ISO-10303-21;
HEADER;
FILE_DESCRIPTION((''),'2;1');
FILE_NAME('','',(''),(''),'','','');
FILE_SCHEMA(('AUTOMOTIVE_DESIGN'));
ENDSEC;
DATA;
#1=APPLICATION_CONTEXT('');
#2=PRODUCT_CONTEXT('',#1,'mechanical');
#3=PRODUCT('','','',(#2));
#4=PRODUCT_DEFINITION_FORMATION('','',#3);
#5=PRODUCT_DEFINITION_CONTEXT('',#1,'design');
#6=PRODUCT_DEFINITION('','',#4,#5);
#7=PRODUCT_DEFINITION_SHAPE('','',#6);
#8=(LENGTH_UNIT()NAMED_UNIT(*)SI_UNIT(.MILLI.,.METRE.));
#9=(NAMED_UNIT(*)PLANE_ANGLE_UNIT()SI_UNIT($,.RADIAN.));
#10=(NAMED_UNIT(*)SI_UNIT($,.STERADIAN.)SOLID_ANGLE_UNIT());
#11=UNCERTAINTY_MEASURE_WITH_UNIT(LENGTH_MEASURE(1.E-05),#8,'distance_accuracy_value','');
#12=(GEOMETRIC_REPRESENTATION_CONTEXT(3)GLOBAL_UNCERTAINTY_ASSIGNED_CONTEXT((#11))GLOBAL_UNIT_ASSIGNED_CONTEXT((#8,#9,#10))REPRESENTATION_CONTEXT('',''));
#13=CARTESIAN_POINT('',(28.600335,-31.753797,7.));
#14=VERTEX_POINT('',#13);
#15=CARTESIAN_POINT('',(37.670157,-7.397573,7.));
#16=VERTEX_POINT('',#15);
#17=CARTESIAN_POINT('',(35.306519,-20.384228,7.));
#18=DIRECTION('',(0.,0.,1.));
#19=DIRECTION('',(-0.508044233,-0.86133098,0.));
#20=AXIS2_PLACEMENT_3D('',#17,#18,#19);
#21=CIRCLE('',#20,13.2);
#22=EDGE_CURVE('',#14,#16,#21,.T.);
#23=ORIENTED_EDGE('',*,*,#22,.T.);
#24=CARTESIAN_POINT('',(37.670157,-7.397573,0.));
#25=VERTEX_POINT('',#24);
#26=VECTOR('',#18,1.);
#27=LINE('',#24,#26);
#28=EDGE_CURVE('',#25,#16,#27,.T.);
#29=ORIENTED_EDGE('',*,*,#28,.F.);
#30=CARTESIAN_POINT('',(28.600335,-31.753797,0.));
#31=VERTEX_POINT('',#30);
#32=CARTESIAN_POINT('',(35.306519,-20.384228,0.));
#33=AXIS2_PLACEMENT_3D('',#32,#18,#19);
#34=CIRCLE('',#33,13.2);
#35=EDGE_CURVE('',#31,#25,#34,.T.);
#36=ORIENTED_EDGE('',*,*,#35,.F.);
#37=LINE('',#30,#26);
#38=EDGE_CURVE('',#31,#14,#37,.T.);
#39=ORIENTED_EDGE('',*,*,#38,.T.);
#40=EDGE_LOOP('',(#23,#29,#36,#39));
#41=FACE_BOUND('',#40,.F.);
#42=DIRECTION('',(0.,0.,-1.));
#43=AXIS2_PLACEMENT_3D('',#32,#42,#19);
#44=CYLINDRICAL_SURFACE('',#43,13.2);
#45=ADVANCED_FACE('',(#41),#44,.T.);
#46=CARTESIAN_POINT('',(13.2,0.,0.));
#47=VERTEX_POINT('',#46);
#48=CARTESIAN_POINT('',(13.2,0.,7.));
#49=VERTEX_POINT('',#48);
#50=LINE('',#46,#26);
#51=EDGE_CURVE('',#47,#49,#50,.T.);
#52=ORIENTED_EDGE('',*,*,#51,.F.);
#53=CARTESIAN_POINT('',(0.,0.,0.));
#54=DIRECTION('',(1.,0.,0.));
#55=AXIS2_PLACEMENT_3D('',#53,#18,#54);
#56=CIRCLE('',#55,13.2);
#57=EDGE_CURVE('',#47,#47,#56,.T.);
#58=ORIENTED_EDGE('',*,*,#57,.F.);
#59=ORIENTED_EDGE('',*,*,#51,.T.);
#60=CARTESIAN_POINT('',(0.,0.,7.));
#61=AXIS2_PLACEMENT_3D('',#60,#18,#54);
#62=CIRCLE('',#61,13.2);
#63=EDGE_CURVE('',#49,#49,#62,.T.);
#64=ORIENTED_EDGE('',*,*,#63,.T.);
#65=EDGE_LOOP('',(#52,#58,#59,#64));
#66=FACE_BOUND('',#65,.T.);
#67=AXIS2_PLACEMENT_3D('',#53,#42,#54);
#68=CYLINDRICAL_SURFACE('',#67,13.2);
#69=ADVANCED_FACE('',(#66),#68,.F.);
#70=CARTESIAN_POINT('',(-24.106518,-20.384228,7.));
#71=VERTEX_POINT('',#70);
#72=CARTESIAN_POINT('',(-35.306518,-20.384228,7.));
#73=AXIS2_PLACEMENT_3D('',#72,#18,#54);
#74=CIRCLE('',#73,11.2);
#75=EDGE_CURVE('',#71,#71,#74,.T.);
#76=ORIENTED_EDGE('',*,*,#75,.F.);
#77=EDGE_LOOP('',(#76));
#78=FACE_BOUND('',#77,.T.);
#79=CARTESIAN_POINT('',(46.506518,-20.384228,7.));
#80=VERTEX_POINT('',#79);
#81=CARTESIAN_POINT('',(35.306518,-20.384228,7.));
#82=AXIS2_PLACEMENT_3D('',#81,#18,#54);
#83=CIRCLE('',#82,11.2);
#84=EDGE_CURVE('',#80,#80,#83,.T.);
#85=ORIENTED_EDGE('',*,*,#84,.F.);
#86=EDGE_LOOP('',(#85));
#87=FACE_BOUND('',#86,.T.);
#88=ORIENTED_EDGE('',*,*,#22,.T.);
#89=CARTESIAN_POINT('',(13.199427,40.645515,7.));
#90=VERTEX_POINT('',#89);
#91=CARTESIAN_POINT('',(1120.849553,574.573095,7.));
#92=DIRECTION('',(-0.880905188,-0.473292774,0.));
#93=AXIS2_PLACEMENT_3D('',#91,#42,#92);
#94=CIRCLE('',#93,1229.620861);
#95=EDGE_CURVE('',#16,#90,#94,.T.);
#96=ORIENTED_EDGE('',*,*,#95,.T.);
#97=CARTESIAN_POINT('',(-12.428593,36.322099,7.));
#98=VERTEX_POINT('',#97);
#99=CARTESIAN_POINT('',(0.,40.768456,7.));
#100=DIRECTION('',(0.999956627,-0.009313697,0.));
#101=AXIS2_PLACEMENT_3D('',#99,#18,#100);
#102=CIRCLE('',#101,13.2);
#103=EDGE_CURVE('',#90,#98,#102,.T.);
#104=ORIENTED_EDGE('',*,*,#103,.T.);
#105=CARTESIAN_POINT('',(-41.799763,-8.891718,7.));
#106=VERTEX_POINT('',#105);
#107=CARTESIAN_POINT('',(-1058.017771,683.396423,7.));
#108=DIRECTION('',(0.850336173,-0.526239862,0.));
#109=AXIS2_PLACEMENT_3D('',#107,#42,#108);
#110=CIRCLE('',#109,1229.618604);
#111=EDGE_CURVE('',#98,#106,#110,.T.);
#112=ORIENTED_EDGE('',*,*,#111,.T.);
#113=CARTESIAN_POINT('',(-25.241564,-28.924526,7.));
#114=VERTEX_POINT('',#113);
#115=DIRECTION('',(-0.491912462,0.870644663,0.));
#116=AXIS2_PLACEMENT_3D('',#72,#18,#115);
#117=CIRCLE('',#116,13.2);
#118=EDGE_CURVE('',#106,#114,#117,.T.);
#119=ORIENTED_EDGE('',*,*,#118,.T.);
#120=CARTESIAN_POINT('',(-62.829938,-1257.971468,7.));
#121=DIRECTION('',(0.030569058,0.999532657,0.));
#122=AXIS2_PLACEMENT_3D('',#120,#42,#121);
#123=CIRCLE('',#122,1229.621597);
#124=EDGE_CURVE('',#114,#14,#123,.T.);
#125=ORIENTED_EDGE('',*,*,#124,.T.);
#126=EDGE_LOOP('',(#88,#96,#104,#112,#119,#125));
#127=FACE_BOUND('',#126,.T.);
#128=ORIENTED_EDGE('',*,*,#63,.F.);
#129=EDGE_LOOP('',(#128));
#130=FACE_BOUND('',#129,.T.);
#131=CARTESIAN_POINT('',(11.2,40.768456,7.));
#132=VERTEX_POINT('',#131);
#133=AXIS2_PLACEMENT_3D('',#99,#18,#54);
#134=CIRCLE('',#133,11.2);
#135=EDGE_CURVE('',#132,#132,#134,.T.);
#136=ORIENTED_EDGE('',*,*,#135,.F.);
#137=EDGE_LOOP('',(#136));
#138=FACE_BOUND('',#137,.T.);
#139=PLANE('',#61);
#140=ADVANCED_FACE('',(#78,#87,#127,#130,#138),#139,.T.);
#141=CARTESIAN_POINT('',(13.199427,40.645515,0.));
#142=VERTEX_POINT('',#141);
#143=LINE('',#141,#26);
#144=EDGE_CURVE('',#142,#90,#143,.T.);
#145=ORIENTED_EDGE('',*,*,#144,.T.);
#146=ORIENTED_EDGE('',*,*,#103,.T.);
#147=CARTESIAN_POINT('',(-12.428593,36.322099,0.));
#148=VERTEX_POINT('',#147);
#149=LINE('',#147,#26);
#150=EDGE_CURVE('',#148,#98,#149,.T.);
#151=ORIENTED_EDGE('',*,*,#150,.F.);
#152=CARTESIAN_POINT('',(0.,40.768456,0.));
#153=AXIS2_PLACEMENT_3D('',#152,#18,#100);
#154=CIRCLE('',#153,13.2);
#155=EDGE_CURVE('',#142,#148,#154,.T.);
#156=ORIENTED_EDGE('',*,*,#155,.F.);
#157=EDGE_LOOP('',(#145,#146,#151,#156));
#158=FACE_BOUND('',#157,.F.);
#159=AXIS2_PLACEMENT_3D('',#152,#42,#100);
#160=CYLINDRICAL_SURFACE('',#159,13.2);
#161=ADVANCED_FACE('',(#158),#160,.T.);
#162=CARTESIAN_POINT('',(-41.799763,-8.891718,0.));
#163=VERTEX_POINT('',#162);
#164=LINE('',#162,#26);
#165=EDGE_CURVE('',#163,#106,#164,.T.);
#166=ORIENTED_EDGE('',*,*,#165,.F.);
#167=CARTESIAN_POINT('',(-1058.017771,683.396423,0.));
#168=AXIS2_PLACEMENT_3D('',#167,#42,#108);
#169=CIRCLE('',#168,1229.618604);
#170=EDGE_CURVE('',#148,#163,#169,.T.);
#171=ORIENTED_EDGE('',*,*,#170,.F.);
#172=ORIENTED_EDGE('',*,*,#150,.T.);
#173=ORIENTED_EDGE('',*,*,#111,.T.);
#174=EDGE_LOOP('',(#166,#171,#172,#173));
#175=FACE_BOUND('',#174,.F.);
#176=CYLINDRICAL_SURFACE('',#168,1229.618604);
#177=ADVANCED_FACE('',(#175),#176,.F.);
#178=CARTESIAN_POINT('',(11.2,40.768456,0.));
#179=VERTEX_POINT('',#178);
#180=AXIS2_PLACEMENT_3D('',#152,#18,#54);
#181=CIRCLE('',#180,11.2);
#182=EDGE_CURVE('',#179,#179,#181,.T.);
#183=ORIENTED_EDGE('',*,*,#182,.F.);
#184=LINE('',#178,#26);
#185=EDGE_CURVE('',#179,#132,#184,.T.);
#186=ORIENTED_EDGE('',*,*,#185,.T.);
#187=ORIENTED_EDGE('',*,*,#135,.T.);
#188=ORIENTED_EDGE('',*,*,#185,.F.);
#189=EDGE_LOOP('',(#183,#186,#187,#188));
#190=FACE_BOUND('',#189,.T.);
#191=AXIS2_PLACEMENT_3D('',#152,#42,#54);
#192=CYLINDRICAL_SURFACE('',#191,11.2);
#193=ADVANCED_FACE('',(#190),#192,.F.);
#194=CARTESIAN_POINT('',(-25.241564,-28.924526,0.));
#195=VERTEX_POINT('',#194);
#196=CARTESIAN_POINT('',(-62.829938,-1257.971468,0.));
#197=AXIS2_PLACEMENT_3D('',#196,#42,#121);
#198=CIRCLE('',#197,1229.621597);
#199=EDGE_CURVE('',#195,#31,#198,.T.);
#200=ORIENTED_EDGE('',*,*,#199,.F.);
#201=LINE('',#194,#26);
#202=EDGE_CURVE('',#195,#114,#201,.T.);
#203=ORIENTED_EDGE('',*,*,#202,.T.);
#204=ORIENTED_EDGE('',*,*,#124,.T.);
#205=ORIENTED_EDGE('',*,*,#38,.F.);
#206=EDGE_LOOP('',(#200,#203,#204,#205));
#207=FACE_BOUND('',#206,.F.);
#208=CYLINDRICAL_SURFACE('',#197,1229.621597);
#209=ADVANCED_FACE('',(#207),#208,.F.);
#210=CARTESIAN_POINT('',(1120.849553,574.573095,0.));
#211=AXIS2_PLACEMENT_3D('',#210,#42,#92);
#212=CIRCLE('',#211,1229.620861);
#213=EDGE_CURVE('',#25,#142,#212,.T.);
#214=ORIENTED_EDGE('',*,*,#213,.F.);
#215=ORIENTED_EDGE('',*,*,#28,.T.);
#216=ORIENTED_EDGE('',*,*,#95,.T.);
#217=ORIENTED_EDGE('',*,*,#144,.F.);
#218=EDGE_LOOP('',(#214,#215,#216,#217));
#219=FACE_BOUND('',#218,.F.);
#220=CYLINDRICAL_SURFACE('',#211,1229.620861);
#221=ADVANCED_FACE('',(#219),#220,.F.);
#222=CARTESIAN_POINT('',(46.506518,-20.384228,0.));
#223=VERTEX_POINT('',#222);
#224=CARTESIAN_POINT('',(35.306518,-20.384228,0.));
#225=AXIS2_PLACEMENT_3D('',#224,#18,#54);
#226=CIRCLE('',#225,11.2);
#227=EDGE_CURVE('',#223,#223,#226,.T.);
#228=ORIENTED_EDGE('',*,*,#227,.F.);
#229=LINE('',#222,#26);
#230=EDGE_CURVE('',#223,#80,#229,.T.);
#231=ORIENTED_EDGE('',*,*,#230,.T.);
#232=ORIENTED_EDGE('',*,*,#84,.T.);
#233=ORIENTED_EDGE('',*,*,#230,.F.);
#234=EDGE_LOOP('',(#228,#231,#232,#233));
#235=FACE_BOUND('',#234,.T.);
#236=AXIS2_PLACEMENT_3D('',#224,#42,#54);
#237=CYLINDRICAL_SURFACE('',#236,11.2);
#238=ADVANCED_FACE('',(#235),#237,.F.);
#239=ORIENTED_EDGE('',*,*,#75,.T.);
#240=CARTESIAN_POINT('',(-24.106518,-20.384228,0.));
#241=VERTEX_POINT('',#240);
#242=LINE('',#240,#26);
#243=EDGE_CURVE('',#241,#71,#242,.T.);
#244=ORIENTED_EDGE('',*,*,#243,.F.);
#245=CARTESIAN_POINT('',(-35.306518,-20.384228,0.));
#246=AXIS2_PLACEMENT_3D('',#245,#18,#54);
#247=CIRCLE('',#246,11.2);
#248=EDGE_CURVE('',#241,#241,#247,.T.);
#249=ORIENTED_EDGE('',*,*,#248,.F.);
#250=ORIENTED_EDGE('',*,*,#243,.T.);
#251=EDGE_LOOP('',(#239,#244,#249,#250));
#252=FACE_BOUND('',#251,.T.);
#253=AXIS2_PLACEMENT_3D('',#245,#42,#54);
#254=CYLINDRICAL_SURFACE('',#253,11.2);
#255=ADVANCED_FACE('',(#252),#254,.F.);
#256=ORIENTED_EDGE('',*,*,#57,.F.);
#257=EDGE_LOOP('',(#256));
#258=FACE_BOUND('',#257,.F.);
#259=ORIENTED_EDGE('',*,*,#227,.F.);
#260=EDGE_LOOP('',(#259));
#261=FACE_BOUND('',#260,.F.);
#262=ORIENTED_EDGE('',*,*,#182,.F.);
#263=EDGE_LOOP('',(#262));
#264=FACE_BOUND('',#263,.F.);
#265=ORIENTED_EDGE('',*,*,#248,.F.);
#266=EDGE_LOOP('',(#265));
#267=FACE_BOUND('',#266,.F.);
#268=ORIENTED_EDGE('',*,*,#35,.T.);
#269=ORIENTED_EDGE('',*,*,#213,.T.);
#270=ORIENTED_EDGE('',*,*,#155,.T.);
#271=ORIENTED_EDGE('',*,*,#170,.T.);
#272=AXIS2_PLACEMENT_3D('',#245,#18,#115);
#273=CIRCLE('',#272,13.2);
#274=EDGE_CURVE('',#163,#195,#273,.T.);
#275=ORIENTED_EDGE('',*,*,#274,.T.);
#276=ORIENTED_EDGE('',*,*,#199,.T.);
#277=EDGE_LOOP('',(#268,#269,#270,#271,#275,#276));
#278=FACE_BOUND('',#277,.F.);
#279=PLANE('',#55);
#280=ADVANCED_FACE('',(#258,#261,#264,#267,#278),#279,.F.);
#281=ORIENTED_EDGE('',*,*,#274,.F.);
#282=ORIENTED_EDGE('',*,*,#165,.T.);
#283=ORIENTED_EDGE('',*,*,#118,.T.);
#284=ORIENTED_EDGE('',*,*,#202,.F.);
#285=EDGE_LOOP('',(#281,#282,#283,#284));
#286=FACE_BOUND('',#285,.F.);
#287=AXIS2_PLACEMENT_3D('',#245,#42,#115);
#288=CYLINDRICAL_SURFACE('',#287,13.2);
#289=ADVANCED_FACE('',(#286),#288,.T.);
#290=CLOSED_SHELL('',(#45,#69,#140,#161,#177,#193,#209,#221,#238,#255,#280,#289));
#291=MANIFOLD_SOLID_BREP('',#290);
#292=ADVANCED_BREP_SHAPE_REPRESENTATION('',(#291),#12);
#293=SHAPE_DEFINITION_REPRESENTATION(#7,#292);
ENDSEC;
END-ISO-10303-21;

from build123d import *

# Parameters (mm, degrees)
F0_R     = 11.2
F0_R_2   = 13.2
F1_DEPTH = 7


with BuildPart() as f1:
    # F0 (on Top) → F1 (new body)
    with BuildSketch(Plane.XY):
        with BuildLine():
            ThreePointArc((37.670157, -7.397573), (25.171437, 16.489832), (13.199427, 40.645515))
            ThreePointArc((13.199427, 40.645515), (-2.195798, 53.784541), (-12.428593, 36.322099))
            ThreePointArc((-12.428593, 36.322099), (-26.866332, 13.554188), (-41.799763, -8.891718))
            ThreePointArc((-41.799763, -8.891718), (-45.48088, -28.793887), (-25.241564, -28.924526))
            ThreePointArc((-25.241564, -28.924526), (1.694894, -30.04402), (28.600335, -31.753797))
            ThreePointArc((28.600335, -31.753797), (47.676678, -24.990654), (37.670157, -7.397573))
        make_face()
        with Locations((-35.306518, -20.384228)):
            Circle(F0_R, mode=Mode.SUBTRACT)
        with Locations((35.306518, -20.384228)):
            Circle(F0_R, mode=Mode.SUBTRACT)
        Circle(F0_R_2, mode=Mode.SUBTRACT)
        with Locations((0, 40.768456)):
            Circle(F0_R, mode=Mode.SUBTRACT)
    extrude(amount=F1_DEPTH)


solid = f1.part
